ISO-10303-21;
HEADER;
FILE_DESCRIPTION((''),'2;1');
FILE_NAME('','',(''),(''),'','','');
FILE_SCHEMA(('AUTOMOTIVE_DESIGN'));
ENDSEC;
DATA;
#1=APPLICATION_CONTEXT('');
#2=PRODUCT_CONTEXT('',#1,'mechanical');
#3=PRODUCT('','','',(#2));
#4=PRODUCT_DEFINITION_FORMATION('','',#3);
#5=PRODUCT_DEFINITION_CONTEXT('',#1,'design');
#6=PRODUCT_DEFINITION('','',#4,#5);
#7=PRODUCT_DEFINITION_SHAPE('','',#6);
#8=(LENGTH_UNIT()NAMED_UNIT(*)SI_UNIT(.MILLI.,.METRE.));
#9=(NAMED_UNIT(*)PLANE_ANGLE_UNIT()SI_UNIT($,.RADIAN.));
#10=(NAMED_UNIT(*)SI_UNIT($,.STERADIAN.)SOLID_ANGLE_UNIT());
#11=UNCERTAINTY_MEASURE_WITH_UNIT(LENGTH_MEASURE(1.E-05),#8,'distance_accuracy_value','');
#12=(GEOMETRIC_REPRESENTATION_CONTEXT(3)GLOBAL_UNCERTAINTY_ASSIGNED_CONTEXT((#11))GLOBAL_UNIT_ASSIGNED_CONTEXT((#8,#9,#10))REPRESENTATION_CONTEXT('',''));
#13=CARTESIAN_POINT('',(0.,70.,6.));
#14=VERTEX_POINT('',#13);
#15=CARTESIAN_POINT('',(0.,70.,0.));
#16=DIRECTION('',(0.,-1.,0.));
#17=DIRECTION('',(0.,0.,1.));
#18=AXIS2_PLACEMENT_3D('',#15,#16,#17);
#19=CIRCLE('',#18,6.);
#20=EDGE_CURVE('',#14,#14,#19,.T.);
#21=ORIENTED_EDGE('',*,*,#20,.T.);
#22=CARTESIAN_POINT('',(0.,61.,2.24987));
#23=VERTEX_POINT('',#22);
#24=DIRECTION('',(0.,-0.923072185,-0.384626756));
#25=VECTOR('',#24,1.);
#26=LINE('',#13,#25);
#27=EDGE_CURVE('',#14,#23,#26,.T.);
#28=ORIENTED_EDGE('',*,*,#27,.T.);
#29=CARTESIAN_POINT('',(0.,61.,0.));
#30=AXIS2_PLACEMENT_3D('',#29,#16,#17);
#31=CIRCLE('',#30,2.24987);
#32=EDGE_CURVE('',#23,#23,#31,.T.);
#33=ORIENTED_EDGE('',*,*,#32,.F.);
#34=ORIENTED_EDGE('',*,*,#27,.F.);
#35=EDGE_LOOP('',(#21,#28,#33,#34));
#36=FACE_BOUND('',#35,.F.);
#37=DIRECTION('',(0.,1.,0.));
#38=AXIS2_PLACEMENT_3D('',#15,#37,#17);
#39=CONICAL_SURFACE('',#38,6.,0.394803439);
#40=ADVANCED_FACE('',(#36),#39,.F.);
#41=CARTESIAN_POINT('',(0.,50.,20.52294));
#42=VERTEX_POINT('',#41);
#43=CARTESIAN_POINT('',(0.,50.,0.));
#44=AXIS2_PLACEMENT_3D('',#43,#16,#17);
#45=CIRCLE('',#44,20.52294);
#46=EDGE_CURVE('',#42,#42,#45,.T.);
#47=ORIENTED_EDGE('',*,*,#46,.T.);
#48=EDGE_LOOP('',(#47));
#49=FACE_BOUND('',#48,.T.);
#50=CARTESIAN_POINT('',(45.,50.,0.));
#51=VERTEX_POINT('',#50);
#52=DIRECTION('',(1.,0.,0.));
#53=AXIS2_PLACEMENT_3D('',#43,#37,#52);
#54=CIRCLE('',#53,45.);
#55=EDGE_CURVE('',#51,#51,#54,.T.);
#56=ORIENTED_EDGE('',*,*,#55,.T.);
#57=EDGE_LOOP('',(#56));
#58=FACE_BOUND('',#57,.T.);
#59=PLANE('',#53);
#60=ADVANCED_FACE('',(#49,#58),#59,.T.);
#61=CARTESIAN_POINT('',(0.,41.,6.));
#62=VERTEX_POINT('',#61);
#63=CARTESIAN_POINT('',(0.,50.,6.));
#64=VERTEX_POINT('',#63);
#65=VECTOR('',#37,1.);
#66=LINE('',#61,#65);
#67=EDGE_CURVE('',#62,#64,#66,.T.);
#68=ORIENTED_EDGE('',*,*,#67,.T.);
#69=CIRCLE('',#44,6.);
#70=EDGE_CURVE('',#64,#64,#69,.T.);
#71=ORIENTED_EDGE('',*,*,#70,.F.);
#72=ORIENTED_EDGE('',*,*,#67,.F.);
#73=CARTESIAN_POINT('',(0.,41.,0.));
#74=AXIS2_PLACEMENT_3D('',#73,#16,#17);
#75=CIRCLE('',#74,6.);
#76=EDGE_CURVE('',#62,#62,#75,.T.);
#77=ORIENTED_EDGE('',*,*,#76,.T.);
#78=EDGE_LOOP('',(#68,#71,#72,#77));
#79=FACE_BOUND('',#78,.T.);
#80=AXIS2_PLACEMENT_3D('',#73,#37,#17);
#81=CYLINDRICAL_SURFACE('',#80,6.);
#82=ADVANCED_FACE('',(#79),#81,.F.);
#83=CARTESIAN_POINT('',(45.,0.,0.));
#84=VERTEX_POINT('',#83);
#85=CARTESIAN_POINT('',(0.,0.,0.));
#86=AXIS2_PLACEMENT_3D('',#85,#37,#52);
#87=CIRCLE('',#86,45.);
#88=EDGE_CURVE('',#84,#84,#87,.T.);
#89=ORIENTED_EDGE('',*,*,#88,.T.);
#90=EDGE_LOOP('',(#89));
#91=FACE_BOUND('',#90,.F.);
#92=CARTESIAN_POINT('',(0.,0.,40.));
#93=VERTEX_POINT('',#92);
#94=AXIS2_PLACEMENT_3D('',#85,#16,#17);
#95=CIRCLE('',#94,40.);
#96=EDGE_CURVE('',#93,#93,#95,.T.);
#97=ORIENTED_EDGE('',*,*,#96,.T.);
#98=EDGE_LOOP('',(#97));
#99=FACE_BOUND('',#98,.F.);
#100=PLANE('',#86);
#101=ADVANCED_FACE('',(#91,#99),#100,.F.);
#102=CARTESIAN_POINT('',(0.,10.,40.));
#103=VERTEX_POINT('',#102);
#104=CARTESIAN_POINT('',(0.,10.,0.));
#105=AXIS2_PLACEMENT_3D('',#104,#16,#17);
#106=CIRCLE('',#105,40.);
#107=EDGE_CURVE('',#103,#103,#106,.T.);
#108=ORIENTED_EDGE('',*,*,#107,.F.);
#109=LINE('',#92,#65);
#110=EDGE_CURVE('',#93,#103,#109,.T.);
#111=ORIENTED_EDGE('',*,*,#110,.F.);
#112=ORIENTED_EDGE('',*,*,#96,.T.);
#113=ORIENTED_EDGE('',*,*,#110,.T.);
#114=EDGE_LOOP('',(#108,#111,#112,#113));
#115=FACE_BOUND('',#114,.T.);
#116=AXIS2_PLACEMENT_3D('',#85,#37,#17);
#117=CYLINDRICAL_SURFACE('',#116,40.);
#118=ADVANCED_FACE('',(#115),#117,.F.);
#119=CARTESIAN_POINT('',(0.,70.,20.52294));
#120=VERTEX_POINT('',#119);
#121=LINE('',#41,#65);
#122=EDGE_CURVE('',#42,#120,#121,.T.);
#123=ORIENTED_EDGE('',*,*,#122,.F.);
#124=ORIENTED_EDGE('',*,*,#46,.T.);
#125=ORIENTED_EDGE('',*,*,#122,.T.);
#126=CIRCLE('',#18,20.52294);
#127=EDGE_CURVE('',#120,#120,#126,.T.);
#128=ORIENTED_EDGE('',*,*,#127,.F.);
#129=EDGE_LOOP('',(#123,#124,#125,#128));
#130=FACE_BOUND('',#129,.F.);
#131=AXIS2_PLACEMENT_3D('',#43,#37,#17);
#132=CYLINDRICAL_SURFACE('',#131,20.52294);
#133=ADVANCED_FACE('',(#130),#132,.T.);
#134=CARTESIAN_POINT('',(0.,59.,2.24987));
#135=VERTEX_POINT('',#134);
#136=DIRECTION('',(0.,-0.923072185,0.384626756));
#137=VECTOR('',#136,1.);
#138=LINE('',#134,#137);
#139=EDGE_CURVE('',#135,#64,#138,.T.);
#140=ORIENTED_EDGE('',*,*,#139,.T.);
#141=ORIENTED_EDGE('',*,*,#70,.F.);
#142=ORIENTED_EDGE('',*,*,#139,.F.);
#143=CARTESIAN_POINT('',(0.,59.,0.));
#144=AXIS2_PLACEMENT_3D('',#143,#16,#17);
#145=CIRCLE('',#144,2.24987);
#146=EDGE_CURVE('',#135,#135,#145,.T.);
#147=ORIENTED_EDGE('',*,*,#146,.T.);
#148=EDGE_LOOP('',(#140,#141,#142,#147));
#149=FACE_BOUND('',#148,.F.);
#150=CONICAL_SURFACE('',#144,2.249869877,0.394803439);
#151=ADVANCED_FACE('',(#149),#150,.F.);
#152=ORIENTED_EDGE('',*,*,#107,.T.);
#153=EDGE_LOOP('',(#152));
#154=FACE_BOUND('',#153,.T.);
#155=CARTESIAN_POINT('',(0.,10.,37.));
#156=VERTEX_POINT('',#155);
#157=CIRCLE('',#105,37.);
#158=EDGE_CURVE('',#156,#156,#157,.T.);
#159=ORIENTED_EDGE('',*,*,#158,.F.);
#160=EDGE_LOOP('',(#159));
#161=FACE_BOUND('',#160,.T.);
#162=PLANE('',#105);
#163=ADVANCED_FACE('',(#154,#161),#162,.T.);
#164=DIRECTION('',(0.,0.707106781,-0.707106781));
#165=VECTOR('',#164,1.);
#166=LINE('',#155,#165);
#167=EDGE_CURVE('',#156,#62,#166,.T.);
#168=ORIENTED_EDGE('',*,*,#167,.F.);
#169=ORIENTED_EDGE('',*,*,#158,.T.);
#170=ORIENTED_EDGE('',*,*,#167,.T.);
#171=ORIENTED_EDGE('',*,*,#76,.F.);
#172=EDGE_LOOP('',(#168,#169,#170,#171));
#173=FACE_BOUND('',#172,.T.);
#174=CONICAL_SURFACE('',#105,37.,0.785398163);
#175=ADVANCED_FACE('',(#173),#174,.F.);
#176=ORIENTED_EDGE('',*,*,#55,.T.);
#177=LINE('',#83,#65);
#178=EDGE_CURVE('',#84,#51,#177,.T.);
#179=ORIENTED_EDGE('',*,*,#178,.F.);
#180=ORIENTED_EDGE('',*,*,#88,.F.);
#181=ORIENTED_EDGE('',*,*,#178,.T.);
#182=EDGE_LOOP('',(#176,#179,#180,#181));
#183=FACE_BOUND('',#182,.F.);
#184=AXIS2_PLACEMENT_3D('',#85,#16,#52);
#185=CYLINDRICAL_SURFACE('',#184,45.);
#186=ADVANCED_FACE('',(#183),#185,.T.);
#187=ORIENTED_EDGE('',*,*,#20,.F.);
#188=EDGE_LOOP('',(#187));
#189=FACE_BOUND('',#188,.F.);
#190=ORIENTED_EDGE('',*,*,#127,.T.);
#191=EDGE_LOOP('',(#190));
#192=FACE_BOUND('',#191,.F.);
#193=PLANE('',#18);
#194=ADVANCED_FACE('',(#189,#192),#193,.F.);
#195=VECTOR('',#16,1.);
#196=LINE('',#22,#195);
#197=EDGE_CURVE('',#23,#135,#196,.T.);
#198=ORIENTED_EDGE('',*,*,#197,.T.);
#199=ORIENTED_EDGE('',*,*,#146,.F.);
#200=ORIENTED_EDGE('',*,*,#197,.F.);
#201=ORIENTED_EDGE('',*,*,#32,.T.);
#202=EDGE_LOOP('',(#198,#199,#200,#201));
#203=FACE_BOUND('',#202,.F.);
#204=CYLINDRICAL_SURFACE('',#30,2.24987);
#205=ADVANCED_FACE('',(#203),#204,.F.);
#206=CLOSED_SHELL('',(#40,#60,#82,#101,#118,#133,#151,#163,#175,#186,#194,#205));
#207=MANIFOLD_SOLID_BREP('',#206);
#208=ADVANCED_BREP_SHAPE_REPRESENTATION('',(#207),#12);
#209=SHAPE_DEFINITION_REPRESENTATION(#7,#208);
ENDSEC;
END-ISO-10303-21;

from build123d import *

# Parameters (mm, degrees)
SKETCH1_R           = 45
BOSS_EXTRUDE1_DEPTH = 50


with BuildPart() as part:
    # Sketch1 → Boss-Extrude1 (new body)
    with BuildSketch(Plane(origin=(0, 0, 0), x_dir=(1, 0, 0), z_dir=(0, 1, 0))):
        Circle(SKETCH1_R)
    extrude(amount=BOSS_EXTRUDE1_DEPTH)

    # Sketch2 → Cut-Revolve1 (revolve, cut)
    with BuildSketch(Plane(origin=(0, 0, 0), x_dir=(0, 0, -1), z_dir=(1, 0, 0))):
        Polygon((0, 50), (0, 0), (-40, 0), (-40, 10), (-37, 10), (-6, 41), (-6, 50), align=None)
    revolve(axis=Axis((0, 50, 0), (0, -1, 0)), mode=Mode.SUBTRACT)

    # Sketch3 → Revolve1 (revolve)
    with BuildSketch(Plane(origin=(0, 0, 0), x_dir=(0, 0, -1), z_dir=(1, 0, 0))):
        Polygon((-6, 50), (-20.522939955, 50), (-20.522939955, 70), (-6, 70), (-2.249869877, 61), (-2.249869877, 59), align=None)
    revolve(axis=Axis((0, 70, 0), (0, -1, 0)))


solid = part.part
